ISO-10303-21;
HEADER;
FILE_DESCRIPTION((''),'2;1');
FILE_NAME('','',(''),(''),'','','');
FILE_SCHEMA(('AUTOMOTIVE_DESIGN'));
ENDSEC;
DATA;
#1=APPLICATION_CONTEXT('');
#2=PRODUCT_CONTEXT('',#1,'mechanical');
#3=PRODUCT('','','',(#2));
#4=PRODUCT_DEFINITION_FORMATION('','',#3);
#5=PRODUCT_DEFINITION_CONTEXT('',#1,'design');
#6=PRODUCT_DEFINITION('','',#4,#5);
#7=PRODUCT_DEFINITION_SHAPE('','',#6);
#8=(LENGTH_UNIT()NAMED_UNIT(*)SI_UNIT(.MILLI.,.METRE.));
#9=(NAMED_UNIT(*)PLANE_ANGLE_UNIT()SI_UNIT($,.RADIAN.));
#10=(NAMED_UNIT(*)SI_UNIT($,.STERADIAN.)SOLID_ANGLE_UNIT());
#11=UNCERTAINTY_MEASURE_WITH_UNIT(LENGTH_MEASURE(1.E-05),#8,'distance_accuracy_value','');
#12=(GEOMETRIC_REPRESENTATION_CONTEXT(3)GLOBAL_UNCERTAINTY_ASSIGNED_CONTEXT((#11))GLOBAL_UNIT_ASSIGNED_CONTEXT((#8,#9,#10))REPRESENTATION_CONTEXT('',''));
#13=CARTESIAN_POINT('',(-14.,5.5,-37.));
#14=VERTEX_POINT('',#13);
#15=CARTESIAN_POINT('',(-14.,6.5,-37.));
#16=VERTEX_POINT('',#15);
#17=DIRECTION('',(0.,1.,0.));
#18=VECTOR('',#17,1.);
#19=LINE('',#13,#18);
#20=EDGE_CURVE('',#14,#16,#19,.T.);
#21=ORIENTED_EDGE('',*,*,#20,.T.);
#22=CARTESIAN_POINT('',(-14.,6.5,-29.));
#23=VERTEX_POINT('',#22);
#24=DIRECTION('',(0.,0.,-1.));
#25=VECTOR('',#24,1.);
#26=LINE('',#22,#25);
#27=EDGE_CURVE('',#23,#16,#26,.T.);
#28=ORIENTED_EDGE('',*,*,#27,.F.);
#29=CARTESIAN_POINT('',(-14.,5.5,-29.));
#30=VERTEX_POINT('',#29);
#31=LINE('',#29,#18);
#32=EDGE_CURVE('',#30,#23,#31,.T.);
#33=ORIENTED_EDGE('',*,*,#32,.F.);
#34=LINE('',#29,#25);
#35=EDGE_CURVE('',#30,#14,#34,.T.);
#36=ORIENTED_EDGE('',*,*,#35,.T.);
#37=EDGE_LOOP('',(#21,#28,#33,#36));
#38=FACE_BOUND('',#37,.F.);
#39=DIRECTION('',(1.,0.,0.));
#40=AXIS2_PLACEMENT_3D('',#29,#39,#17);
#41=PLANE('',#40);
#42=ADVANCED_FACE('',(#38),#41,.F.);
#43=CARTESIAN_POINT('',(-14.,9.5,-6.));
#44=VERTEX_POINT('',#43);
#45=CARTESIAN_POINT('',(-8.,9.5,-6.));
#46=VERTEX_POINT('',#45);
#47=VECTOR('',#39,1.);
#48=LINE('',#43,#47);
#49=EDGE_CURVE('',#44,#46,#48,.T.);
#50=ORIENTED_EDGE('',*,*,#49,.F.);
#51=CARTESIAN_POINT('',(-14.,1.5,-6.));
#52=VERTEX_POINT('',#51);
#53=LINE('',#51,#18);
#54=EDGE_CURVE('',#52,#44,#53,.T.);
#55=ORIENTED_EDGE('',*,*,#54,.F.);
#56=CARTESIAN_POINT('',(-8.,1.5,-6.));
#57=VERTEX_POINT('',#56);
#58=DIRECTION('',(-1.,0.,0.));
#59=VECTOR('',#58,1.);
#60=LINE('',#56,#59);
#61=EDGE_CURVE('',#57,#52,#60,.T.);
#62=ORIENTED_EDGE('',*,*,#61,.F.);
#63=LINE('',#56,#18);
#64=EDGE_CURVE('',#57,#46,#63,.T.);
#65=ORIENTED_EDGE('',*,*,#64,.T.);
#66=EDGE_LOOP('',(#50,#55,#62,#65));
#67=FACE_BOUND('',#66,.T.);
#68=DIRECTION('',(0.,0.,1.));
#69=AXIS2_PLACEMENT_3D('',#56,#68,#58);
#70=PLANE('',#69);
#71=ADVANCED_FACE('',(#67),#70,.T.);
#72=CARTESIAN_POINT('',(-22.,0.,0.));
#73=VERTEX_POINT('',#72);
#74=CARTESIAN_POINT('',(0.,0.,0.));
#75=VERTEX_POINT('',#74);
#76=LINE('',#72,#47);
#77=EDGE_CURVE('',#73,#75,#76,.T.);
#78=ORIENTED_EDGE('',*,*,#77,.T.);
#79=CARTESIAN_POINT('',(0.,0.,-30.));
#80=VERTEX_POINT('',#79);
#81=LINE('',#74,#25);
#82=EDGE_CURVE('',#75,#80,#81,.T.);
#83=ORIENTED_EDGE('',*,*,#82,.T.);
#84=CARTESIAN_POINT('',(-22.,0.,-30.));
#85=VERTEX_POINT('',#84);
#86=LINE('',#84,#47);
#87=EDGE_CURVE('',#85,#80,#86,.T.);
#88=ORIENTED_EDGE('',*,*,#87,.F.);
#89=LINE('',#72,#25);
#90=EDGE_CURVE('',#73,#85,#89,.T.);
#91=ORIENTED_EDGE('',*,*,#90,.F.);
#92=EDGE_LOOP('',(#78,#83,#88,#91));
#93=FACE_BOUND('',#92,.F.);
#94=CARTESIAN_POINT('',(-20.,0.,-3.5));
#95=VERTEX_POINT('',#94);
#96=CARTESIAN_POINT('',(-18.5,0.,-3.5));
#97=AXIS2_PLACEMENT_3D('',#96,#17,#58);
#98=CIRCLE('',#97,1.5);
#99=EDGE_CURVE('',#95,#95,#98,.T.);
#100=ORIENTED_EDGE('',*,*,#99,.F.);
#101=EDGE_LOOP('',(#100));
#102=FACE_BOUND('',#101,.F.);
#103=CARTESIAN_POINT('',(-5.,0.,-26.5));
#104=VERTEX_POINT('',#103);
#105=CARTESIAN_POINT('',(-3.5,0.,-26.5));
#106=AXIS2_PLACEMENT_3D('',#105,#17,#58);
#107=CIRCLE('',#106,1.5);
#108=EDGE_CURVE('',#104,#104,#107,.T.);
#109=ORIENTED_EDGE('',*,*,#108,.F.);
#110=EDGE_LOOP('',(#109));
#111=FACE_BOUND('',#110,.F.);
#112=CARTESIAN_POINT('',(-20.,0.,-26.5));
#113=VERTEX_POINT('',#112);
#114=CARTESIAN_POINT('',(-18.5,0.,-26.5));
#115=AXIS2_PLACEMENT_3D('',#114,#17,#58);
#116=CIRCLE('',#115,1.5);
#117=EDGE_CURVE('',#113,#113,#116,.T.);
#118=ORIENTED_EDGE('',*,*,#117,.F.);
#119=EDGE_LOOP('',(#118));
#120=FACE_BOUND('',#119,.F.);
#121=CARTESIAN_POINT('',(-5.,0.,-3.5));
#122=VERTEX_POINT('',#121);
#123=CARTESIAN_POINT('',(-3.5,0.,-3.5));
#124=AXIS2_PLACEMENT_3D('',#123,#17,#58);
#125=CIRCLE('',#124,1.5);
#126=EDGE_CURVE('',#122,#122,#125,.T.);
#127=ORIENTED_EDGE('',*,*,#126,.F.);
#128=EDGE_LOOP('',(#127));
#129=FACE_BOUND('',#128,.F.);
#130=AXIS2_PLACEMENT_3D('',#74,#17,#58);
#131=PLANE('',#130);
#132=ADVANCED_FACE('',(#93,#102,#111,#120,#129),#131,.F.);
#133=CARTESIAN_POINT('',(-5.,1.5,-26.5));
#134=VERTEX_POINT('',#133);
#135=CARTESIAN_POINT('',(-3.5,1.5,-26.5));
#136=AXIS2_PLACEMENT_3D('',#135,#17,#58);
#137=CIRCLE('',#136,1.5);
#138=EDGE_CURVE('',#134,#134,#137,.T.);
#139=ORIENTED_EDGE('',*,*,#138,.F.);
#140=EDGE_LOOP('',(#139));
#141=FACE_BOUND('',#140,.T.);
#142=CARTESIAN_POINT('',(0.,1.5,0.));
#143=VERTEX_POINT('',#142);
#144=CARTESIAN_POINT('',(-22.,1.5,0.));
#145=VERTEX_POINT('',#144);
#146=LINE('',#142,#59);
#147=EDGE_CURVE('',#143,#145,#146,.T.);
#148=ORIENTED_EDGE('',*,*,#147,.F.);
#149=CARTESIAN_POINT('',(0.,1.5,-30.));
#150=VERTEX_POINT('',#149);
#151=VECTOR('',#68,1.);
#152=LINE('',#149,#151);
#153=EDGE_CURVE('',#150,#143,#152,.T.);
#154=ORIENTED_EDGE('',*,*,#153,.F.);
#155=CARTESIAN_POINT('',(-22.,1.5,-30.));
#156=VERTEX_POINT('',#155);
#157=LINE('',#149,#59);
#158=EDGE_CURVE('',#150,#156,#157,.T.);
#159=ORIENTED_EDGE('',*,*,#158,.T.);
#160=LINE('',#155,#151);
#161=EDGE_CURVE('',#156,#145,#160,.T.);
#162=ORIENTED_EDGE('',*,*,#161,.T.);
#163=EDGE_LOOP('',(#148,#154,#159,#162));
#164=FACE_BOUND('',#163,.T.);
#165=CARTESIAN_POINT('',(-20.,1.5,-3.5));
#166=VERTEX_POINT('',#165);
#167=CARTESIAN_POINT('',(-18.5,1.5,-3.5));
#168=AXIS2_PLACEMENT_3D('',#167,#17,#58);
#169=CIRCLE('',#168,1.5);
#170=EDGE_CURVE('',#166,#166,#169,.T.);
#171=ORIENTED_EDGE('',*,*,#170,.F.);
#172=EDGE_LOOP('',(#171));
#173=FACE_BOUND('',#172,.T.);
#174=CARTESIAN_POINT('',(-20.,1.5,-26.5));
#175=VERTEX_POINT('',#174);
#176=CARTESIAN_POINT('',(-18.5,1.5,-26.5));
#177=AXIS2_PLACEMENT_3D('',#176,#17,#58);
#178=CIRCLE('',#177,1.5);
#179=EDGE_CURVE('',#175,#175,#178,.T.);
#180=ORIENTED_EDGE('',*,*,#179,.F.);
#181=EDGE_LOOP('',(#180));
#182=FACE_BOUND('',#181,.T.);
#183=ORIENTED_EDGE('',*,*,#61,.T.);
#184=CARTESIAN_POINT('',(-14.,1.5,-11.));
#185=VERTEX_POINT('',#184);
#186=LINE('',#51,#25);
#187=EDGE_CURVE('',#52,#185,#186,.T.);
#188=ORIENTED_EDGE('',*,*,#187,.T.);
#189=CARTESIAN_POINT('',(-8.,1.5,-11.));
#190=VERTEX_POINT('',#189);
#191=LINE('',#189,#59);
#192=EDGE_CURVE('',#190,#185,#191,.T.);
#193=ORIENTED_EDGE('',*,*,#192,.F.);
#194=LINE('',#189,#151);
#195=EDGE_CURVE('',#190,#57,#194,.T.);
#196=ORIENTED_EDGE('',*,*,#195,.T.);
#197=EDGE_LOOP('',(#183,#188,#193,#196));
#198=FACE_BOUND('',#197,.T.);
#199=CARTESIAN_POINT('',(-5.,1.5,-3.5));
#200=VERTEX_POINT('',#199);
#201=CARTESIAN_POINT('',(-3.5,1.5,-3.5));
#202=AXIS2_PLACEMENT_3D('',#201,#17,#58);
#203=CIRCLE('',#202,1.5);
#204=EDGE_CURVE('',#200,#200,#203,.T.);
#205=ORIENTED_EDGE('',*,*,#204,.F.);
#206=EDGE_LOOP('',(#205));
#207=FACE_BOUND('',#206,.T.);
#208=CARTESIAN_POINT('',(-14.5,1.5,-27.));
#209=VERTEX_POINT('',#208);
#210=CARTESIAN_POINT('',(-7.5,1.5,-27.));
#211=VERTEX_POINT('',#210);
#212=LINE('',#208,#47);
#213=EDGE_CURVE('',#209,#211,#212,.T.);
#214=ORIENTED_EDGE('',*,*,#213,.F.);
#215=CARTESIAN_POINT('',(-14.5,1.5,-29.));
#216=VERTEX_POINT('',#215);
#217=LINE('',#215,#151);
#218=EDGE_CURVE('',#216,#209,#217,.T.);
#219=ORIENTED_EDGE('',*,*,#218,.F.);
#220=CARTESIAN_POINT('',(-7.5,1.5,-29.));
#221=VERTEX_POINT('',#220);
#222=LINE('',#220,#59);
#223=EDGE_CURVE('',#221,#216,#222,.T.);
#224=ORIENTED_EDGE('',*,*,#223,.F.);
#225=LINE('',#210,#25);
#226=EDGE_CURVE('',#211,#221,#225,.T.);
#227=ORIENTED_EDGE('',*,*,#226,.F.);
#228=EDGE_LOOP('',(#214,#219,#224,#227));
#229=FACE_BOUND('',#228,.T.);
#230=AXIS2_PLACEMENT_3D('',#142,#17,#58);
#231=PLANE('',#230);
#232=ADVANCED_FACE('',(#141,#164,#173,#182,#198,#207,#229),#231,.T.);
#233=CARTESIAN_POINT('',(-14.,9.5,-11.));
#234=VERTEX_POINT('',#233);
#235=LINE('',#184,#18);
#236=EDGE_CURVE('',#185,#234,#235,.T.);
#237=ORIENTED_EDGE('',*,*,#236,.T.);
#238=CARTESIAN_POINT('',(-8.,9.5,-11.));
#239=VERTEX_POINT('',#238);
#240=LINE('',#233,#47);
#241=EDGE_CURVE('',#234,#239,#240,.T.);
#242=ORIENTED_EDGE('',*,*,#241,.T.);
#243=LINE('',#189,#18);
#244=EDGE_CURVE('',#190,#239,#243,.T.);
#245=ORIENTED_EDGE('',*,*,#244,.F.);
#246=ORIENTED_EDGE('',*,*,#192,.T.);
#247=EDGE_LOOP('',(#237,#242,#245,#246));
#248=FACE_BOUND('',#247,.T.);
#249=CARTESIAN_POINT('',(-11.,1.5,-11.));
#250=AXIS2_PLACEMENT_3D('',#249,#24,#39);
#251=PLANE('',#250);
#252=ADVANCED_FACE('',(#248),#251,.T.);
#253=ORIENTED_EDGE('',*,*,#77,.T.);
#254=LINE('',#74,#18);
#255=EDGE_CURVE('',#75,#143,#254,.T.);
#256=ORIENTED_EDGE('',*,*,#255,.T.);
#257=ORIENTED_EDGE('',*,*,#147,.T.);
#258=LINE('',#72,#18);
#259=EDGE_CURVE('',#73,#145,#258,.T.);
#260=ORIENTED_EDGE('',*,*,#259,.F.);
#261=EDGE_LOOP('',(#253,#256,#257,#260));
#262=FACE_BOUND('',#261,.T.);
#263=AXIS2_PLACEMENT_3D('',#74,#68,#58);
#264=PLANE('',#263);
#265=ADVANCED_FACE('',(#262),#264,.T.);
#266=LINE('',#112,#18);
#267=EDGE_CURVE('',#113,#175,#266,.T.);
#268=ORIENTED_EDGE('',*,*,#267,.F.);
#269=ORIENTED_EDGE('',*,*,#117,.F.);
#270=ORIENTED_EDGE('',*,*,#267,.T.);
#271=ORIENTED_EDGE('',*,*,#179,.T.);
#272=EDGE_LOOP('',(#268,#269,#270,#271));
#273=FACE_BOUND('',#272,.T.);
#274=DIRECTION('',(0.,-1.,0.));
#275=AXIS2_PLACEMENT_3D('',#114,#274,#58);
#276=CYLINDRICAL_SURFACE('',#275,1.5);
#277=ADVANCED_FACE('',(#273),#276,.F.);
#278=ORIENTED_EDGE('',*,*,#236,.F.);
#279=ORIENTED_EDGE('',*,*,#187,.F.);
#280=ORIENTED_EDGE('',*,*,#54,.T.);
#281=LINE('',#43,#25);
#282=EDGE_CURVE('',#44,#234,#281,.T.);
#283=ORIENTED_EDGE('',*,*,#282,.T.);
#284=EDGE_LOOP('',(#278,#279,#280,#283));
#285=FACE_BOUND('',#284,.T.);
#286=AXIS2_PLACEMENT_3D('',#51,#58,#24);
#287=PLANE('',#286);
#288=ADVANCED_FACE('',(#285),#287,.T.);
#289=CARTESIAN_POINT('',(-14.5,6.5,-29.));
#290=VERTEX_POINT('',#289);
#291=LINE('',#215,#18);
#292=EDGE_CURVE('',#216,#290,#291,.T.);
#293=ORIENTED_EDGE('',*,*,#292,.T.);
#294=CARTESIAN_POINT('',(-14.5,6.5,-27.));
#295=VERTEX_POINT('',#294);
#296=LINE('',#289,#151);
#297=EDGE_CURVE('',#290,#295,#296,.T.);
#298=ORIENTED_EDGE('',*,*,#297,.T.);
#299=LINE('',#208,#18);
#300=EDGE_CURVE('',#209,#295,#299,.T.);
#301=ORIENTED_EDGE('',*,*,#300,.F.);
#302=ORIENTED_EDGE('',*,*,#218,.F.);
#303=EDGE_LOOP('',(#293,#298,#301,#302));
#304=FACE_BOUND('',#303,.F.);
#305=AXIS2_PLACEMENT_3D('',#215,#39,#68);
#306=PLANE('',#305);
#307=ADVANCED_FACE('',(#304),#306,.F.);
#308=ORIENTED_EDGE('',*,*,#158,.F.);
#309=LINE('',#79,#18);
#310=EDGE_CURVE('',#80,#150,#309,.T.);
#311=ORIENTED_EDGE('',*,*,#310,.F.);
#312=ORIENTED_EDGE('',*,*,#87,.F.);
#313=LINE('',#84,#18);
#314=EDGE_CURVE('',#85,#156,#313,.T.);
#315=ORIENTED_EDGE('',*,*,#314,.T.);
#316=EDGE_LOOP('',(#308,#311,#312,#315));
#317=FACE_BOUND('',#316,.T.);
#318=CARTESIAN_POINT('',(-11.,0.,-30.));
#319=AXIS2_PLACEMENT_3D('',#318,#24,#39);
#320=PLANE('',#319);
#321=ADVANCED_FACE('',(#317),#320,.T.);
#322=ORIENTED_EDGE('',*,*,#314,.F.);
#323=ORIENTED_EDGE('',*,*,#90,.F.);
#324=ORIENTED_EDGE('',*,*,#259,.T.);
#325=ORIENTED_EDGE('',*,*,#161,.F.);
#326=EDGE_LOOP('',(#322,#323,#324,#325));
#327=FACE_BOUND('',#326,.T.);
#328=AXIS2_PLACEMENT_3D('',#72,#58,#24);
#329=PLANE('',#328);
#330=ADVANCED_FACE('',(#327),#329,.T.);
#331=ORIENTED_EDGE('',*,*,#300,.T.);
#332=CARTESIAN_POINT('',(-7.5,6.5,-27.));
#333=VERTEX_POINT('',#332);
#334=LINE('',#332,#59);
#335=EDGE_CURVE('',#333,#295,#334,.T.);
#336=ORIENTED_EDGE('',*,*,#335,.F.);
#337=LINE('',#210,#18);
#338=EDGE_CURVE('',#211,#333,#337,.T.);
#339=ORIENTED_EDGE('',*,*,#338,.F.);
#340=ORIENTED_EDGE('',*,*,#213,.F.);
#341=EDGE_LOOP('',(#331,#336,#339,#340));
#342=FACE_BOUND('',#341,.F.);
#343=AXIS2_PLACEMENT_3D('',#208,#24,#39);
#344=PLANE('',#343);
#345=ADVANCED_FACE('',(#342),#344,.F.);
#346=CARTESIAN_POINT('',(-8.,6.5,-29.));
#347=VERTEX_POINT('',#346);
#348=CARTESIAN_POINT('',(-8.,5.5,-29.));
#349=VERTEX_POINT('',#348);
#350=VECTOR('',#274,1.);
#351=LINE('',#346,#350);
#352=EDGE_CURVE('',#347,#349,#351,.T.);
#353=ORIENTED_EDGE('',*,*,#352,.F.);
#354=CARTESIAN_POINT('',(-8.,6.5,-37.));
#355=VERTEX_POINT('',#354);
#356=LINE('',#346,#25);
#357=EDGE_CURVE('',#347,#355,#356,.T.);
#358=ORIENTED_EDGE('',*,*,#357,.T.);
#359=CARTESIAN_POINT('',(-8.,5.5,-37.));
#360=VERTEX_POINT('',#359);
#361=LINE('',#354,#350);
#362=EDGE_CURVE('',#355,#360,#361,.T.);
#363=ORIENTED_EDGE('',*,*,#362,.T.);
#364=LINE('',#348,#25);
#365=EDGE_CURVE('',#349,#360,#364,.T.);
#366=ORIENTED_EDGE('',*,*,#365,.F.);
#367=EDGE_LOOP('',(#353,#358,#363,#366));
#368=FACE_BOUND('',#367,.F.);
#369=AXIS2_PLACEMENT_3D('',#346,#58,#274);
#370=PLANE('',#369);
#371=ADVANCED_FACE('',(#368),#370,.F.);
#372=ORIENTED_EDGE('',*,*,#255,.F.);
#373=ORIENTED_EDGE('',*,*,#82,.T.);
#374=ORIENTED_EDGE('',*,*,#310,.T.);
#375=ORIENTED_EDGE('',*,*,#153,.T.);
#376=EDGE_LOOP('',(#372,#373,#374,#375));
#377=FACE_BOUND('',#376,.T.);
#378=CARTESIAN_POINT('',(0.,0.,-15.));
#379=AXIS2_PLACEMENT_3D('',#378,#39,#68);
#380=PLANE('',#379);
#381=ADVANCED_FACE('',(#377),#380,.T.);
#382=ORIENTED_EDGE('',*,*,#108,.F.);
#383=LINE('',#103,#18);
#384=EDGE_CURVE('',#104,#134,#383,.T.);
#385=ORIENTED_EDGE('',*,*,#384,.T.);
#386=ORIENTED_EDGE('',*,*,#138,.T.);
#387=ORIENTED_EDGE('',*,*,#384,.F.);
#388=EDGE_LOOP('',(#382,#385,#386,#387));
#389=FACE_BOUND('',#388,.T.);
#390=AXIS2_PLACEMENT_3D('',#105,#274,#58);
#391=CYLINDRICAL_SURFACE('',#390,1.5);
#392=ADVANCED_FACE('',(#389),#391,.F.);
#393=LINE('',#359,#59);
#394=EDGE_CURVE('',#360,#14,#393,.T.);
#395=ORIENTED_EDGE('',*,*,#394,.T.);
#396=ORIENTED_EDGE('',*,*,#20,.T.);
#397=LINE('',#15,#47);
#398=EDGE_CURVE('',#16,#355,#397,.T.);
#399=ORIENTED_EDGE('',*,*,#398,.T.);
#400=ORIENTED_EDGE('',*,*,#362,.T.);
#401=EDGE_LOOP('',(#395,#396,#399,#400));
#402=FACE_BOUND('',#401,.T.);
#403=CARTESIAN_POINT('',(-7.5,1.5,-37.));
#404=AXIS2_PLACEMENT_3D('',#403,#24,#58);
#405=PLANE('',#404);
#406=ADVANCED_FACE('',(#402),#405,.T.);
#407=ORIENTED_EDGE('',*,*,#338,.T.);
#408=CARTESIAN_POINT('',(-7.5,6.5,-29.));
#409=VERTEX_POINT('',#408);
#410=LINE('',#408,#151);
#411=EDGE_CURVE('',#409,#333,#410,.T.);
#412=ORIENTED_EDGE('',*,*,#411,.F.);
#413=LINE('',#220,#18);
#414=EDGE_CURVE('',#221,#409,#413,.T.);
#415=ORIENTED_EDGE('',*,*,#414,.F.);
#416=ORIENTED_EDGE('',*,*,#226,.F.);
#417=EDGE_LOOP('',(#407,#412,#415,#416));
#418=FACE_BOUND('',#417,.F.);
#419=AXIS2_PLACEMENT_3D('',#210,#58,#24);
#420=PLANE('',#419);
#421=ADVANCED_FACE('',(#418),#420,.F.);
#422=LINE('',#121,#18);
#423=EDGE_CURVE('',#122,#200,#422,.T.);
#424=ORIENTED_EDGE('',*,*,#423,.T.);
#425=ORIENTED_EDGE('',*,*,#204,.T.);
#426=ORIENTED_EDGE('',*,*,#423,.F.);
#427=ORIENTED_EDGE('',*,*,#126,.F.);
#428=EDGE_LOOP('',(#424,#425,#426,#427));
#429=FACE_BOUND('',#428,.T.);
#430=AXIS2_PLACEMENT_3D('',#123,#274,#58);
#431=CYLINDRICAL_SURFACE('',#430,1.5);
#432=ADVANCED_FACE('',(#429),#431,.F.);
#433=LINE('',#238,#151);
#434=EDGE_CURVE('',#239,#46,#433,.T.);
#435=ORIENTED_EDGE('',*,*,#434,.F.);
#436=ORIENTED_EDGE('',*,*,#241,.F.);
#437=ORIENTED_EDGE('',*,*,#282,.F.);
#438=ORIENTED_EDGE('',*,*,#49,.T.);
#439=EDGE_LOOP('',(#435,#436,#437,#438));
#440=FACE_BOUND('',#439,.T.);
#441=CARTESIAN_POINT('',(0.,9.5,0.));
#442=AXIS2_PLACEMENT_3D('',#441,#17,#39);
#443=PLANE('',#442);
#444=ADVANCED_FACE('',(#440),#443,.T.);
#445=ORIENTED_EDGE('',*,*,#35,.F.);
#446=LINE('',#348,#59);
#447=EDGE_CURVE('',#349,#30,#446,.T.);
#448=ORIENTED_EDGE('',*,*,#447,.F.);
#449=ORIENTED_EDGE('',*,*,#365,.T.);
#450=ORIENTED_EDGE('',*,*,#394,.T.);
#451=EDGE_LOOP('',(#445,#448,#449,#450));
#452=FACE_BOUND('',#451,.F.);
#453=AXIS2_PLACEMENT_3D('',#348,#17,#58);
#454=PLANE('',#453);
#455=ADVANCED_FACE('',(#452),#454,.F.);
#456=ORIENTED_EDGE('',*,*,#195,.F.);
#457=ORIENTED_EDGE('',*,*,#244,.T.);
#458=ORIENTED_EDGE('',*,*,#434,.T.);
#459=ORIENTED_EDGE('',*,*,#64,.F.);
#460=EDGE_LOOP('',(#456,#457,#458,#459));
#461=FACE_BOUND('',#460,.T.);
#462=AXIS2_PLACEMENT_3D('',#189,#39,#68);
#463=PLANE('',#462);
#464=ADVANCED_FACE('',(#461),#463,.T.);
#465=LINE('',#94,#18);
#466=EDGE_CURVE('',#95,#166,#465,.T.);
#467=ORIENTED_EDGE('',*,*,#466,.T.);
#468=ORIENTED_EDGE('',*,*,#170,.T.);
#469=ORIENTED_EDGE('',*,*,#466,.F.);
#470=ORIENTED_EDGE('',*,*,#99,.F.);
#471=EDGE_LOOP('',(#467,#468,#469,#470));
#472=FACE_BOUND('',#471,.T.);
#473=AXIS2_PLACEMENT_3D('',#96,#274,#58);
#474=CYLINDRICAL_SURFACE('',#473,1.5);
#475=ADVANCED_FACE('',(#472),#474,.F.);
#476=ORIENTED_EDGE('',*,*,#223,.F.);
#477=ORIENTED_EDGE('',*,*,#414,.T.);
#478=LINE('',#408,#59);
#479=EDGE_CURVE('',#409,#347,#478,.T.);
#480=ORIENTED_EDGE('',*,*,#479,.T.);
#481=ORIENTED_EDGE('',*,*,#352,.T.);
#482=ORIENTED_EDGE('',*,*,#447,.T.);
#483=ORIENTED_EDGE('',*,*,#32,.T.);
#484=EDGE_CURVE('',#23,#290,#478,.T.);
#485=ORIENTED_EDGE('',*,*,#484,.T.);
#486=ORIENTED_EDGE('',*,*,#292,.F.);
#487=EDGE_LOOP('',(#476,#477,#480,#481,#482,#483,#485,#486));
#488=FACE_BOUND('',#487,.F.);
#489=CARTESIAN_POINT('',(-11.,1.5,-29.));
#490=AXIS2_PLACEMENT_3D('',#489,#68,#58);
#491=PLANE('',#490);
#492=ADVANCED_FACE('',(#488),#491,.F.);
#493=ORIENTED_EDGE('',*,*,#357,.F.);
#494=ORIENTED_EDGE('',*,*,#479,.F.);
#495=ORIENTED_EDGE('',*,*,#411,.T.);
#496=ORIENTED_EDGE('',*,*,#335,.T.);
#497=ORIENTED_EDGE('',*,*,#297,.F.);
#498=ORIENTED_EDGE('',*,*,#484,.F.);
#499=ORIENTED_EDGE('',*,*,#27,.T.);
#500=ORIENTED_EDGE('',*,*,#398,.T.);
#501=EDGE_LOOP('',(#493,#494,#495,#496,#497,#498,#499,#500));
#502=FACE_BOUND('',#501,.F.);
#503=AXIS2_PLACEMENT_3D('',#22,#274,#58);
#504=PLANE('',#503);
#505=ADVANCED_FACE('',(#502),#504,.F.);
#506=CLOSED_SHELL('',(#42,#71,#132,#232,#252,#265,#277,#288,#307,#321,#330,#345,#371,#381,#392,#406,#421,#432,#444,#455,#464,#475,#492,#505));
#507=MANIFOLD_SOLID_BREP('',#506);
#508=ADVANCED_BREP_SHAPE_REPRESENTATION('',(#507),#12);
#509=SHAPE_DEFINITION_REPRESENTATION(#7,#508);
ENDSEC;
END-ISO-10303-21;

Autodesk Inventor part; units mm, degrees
ref_plane "YZ Plane" through (0, 0, 0) normal (1, 0, 0) x (0, 1, 0)
ref_plane "XZ Plane" through (0, 0, 0) normal (0, 1, 0) x (-1, 0, 0)
ref_plane "XY Plane" through (0, 0, 0) normal (0, 0, 1) x (1, 0, 0)
sketch "Sketch1" plane through (0, 0, 0) normal (0, 1, 0) x (-1, 0, 0)
  line L0 (0, 0) -> (22, 0)
  line L1 (22, 0) -> (22, -30)
  line L2 (22, -30) -> (0, -30)
  line L3 (0, -30) -> (0, 0)
  circle A0 centre (18.5, -26.5) radius 1.5
  circle A1 centre (3.5, -26.5) radius 1.5
  circle A2 centre (3.5, -3.5) radius 1.5
  circle A3 centre (18.5, -3.5) radius 1.5
  line L4 (11, -30) -> (11, 0)
  line L5 (22, -15) -> (0, -15)
  dimension "d0" = 30
  dimension "d1" = 22
  dimension "d3" = 3
  dimension "d34" = 15
  dimension "d35" = 23
  dimension "d36" = 23
  dimension "d37" = 15
extrude "Extrusion1" add sketch "Sketch1" along normal blind 1.5
sketch "Sketch2" plane through (0, 1.5, 0) normal (0, 1, 0) x (1, 0, 0)
  line L0 (-14.5, 27) -> (-7.5, 27)
  line L1 (-7.5, 27) -> (-7.5, 29)
  line L2 (-7.5, 29) -> (-14.5, 29)
  line L3 (-14.5, 29) -> (-14.5, 27)
  line L4 (0, 30) -> (-22, 30) projected
  line L5 (-22, 0) -> (0, 0) projected
  line L6 (-11, 0) -> (-11, 30)
  line L7 (-8, 6) -> (-14, 6)
  line L8 (-14, 6) -> (-14, 11)
  line L9 (-14, 11) -> (-8, 11)
  line L10 (-8, 11) -> (-8, 6)
  dimension "d14" = 7
  dimension "d15" = 2
  dimension "d16" = 1
  dimension "d20" = 5
  dimension "d21" = 6
  dimension "d22" = 6
extrude "Extrusion2" add sketch "Sketch2" along normal blind 8
sketch "Sketch3" plane through (-7.5, 1.5, -29) normal (0, 0, -1) x (-1, 0, 0)
  line L0 (0.5, 4) -> (6.5, 4)
  line L1 (6.5, 4) -> (6.5, 5)
  line L2 (6.5, 5) -> (0.5, 5)
  line L3 (0.5, 5) -> (0.5, 4)
  line L4 (-7.5, 0) -> (14.5, 0) projected
  line L5 (0, 0) -> (0, 8) projected
  line L6 (7, 0) -> (7, 8) projected
  point P0 (-7.5, -1.5)
  dimension "d25" = 4
  dimension "d26" = 6
  dimension "d27" = 1
  dimension "d28" = 0.5
  dimension "d29" = 0.5
extrude "Extrusion3" add sketch "Sketch3" along normal blind 8
sketch "Sketch4" plane through (-7.5, 1.5, -29) normal (0, 0, -1) x (-1, 0, 0)
  line L0 (6.5, 5) -> (0.5, 5) projected
  line L1 (6.5, 4) -> (0.5, 4) projected
  line L2 (0.5, 4) -> (0.5, 5) projected
  line L3 (0.5, 5) -> (6.5, 5) projected
  line L4 (6.5, 5) -> (6.5, 4) projected
  line L5 (7, 0) -> (0, 0) projected
  line L6 (7, 0) -> (7, 8) projected
  line L7 (0, 8) -> (7, 8) projected
  line L8 (0, 0) -> (0, 8) projected
  line L9 (0, 5) -> (7, 5)
  point P0 (-7.5, -1.5)
extrude "Extrusion4" cut sketch "Sketch4" against normal blind 8 contours L0 L9 L8 L7 L6
properties part number "IR_Receiver"
